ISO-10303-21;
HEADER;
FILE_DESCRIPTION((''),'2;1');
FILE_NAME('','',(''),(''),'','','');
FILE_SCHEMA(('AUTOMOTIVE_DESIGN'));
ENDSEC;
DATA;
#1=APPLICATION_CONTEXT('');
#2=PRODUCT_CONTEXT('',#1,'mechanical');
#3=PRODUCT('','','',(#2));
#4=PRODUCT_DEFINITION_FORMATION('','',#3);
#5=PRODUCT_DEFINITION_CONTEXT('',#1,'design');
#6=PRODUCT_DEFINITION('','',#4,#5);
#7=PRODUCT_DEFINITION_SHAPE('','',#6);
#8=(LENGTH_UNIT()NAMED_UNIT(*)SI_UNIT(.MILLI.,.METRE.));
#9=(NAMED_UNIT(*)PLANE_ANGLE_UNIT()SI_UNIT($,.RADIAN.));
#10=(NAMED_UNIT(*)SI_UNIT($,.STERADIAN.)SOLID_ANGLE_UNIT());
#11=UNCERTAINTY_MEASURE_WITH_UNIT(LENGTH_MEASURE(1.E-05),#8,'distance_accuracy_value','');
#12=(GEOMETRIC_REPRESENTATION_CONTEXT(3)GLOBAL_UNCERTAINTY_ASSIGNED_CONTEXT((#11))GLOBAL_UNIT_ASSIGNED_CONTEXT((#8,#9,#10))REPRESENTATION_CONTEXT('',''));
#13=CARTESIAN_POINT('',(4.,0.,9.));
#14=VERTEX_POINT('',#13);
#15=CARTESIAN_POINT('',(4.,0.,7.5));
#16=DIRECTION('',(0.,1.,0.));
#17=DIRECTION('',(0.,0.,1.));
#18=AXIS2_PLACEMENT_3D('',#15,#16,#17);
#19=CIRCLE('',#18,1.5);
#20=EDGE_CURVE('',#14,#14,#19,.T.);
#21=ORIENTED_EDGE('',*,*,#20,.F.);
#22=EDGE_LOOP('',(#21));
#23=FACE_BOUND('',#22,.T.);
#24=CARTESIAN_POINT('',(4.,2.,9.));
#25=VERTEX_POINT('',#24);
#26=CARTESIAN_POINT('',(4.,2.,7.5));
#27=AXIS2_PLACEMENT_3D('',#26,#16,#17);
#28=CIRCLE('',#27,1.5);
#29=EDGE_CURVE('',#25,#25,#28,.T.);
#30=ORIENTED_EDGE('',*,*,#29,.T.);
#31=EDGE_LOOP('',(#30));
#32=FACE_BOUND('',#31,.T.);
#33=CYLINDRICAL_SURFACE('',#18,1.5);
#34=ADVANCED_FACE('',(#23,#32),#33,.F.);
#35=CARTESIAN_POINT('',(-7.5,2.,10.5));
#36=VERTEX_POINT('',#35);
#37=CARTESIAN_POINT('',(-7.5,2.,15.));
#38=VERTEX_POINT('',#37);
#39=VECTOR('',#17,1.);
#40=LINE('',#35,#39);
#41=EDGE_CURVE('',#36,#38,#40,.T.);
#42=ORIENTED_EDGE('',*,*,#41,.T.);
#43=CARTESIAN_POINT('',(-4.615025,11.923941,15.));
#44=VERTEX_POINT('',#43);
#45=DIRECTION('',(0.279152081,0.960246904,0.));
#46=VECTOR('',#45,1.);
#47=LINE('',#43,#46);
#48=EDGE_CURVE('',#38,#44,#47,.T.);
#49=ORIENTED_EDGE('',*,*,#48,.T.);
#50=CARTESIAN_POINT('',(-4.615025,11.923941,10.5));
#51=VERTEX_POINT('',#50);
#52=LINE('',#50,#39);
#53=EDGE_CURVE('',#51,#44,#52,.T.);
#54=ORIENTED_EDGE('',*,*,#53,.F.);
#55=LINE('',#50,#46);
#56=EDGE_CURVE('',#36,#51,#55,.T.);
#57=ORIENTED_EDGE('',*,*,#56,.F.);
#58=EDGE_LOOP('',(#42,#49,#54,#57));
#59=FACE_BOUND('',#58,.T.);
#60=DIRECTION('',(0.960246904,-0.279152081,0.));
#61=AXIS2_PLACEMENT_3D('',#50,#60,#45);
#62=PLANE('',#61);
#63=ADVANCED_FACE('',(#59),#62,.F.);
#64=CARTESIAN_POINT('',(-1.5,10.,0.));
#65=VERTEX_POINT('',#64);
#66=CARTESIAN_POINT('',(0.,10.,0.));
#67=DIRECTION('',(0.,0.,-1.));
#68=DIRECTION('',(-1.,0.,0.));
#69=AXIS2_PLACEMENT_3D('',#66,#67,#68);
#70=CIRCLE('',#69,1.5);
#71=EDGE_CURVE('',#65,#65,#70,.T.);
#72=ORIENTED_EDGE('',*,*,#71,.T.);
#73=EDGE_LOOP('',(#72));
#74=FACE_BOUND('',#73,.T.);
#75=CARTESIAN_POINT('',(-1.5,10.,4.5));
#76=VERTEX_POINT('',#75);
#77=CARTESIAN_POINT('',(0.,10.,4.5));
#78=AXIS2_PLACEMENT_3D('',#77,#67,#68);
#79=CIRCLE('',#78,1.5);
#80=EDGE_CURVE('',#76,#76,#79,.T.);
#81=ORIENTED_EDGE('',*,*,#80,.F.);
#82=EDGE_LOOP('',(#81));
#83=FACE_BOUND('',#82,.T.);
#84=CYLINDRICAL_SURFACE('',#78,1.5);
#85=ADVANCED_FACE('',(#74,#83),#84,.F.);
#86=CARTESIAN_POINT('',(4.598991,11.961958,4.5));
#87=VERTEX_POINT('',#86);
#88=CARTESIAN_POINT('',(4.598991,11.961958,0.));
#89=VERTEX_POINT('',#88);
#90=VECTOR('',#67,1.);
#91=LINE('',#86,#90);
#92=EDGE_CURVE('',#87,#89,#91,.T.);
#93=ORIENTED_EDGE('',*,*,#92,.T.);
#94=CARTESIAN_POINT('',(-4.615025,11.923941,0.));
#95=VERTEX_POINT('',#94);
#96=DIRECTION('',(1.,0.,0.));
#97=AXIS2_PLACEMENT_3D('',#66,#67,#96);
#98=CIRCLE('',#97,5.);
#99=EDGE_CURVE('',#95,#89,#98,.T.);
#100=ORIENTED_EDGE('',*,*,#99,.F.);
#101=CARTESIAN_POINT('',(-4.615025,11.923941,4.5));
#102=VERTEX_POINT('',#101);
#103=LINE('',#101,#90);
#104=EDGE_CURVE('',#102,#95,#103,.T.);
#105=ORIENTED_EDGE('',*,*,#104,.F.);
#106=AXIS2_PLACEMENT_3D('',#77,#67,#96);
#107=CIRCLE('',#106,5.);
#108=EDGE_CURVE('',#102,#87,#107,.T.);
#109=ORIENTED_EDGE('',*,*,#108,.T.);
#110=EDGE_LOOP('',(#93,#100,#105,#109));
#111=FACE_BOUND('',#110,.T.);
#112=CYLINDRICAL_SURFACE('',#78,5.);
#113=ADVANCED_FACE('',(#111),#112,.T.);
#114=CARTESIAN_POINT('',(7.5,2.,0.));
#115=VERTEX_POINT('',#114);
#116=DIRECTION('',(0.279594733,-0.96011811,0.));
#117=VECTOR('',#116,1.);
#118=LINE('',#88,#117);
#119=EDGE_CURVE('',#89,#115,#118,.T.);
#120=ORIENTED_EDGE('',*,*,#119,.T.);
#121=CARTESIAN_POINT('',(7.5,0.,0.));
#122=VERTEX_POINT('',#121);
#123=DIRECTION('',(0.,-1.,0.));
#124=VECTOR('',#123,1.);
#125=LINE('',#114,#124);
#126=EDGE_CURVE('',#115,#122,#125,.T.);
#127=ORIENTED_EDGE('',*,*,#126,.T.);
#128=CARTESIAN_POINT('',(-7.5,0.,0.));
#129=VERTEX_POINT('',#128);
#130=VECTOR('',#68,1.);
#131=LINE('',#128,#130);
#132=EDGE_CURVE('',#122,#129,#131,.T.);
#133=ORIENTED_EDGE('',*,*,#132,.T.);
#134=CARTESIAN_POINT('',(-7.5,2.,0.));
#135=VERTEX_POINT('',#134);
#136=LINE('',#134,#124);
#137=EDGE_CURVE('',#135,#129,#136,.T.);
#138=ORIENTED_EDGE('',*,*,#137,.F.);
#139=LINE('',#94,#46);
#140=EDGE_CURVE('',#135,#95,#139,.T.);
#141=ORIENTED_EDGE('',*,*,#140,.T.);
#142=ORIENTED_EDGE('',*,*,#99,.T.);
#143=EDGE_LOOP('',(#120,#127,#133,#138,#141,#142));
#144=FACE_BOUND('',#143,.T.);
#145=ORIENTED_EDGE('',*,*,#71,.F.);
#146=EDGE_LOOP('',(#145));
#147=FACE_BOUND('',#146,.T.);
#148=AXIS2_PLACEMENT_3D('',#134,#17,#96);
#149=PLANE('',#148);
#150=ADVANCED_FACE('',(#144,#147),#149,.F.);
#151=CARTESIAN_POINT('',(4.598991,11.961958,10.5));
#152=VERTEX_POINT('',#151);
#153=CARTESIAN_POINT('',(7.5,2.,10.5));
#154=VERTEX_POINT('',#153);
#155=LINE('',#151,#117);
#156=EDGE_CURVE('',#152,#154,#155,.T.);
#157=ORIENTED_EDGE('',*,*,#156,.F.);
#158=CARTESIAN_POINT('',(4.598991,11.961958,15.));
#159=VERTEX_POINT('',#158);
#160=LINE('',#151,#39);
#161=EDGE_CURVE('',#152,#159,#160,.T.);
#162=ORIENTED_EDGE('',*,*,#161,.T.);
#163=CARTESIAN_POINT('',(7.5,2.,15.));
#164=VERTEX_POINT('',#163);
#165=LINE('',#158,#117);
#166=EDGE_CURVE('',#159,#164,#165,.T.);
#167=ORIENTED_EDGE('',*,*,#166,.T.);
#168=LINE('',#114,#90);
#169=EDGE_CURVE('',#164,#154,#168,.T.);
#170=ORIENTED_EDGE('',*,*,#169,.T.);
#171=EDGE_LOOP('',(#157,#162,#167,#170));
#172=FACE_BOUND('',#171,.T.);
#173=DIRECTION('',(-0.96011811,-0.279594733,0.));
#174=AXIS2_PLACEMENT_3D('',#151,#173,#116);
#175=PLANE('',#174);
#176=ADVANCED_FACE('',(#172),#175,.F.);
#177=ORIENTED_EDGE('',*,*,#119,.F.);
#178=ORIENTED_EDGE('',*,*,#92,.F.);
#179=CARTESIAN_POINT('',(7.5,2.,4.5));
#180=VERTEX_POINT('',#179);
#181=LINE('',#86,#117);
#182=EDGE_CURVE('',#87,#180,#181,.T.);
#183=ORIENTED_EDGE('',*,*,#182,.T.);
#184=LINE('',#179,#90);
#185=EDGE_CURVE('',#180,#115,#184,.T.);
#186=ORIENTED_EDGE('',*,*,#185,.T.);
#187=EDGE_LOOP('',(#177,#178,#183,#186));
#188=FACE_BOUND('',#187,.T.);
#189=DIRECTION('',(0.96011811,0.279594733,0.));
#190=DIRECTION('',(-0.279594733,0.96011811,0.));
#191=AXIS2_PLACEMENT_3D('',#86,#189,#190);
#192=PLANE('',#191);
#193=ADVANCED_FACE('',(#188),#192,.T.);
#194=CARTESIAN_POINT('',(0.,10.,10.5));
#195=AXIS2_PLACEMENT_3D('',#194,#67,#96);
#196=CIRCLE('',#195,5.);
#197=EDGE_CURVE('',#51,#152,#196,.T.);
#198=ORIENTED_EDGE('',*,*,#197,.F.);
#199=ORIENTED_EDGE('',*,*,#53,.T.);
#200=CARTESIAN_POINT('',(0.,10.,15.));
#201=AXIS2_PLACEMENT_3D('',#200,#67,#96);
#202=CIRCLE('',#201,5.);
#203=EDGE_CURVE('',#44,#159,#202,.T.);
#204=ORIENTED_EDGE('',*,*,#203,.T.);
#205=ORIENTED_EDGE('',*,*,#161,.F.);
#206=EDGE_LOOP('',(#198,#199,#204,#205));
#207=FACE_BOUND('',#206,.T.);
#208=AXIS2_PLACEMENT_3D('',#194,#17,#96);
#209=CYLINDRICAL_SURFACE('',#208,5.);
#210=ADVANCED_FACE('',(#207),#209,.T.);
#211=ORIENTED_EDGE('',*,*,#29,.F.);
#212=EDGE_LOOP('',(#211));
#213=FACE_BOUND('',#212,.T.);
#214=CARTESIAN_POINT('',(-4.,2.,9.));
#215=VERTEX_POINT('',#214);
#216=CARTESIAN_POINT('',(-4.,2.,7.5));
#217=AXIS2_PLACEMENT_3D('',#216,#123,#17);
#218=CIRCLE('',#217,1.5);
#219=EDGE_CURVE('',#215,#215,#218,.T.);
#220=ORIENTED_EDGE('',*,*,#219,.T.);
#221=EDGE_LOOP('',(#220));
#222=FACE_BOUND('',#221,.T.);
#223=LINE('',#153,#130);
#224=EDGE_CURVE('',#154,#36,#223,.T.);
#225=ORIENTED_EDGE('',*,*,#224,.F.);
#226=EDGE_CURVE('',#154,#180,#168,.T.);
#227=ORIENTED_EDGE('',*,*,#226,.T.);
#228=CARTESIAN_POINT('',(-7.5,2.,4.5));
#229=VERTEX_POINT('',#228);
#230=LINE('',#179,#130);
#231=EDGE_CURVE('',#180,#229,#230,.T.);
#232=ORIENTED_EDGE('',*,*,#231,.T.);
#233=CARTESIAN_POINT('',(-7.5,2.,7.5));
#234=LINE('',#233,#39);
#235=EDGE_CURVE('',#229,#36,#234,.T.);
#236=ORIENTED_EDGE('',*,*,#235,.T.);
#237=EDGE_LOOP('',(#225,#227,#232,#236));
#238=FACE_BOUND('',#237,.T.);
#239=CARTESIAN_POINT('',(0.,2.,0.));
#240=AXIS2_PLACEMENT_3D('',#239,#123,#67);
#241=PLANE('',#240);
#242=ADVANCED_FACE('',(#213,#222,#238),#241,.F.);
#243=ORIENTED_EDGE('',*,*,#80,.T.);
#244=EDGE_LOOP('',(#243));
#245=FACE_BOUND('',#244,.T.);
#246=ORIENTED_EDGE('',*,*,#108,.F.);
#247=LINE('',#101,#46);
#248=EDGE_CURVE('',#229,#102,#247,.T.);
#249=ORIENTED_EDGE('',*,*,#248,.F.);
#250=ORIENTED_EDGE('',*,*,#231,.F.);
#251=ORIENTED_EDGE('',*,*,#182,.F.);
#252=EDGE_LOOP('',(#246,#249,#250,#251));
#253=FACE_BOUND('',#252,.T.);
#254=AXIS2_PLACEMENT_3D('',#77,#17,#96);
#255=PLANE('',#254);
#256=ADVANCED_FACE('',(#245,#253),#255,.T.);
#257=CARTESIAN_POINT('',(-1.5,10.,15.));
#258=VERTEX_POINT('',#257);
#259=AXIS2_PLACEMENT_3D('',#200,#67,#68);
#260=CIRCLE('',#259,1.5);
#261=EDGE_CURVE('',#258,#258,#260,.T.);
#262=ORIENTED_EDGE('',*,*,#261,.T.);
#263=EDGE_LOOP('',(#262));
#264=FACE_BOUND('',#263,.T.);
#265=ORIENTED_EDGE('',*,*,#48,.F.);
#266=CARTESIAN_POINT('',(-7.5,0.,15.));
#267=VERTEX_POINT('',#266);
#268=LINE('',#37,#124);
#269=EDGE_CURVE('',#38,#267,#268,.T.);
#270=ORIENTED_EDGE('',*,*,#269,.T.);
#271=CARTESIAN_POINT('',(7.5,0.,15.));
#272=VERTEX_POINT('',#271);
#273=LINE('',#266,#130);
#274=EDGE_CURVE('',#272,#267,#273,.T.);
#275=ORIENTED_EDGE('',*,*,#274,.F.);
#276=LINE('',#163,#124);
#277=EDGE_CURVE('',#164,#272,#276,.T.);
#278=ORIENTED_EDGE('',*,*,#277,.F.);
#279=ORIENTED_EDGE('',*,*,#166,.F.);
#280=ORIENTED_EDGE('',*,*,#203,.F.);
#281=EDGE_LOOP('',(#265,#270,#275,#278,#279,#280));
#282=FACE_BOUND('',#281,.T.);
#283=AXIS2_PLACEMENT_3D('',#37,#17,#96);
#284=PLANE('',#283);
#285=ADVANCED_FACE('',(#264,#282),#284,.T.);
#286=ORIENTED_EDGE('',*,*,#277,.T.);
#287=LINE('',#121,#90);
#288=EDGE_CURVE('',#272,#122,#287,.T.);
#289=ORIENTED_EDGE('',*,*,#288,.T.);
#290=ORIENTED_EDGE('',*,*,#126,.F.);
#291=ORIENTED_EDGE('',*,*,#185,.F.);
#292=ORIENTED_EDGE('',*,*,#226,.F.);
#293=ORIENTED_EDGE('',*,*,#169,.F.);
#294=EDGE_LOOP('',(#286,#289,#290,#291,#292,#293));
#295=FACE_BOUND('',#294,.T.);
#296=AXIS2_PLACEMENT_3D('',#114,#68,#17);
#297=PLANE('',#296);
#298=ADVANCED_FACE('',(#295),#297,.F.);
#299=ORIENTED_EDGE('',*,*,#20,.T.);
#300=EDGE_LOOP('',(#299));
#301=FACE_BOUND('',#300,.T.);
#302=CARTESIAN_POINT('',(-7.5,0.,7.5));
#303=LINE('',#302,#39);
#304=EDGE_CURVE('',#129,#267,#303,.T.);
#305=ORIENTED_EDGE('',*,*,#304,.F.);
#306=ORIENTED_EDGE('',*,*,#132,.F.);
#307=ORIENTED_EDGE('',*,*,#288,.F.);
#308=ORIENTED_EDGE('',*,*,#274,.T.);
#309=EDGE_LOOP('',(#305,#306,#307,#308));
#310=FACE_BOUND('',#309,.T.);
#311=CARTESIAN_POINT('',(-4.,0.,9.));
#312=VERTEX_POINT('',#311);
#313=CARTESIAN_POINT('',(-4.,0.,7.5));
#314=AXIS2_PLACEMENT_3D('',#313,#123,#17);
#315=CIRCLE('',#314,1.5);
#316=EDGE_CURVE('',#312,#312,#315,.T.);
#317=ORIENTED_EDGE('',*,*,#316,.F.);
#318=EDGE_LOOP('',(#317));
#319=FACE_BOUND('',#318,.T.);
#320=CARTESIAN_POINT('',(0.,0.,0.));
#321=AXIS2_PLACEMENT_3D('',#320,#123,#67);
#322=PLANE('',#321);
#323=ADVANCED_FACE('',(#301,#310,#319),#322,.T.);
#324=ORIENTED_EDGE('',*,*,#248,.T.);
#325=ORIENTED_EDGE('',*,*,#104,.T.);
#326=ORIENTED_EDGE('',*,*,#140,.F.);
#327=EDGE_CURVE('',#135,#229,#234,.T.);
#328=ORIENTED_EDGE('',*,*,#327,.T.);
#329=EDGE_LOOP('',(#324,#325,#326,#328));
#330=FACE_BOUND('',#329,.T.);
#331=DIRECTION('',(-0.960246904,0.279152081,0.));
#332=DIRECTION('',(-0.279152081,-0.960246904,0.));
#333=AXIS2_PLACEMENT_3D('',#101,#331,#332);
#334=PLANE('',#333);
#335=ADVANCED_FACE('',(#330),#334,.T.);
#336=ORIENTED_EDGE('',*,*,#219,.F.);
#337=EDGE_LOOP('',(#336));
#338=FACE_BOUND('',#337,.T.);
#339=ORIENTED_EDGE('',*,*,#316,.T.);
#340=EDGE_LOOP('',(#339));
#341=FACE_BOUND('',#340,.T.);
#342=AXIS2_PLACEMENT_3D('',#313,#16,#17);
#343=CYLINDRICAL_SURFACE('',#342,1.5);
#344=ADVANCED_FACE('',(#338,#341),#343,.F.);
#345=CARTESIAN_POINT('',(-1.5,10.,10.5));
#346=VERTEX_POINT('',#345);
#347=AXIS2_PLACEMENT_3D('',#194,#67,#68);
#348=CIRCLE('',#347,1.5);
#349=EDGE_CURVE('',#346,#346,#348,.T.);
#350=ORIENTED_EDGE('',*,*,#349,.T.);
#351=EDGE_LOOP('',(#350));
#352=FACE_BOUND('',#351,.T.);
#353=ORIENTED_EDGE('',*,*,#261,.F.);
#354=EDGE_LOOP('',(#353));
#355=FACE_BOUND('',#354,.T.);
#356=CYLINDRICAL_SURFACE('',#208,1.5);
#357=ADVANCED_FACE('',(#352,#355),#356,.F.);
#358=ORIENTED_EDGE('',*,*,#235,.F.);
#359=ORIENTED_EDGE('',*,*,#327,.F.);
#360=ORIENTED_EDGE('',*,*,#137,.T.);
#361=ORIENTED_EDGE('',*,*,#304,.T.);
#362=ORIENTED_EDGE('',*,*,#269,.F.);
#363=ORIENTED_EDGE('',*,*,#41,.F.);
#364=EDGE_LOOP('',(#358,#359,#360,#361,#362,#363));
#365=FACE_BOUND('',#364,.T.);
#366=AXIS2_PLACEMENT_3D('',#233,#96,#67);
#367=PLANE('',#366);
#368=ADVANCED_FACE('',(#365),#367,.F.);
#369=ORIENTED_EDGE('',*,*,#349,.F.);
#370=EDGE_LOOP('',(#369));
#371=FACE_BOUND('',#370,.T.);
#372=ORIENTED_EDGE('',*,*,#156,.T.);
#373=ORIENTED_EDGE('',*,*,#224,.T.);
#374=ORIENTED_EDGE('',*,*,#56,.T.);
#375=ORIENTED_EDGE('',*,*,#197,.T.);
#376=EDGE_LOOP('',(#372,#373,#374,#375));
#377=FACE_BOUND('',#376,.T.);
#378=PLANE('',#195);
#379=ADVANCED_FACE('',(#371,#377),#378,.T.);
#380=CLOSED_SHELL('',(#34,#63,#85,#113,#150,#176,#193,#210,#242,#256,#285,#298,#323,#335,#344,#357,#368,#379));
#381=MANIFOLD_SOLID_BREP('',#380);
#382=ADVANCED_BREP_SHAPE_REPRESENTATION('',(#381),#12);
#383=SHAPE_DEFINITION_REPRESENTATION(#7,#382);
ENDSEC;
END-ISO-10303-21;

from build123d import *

# Parameters (mm, degrees)
SKETCH7_W           = 15
SKETCH7_H           = 7.5
BOSS_EXTRUDE2_DEPTH = 2
SKETCH8_R           = 1.5
BOSS_EXTRUDE3_DEPTH = 4.5
SKETCH9_R           = 1.5
CUT_EXTRUDE1_DEPTH  = 3


with BuildPart() as part:
    # Sketch7 → Boss-Extrude2 (new body)
    with BuildSketch(Plane(origin=(0, 0, 0), x_dir=(1, 0, 0), z_dir=(0, 1, 0))):
        with Locations((0, -3.75)):
            Rectangle(SKETCH7_W, SKETCH7_H)
    boss_extrude2 = extrude(amount=BOSS_EXTRUDE2_DEPTH)

    # Sketch8 → Boss-Extrude3 (add)
    with BuildSketch(Plane(origin=(0, 0, 0), x_dir=(-1, 0, 0), z_dir=(0, 0, -1))):
        with BuildLine():
            Line((-4.598991345, 11.961957852), (-7.5, 2))
            Line((-7.5, 2), (7.5, 2))
            Line((7.5, 2), (4.615024569, 11.923940807))
            ThreePointArc((4.615024569, 11.923940807), (0.020629833, 14.999957441), (-4.598991345, 11.961957852))
        make_face()
        with Locations((0, 10)):
            Circle(SKETCH8_R, mode=Mode.SUBTRACT)
    boss_extrude3 = extrude(amount=-BOSS_EXTRUDE3_DEPTH)

    # Mirror1: Boss-Extrude2, Boss-Extrude3 across plane
    add(boss_extrude2.mirror(Plane(origin=(7.5, 2, 7.5), x_dir=(1, 0, 0), z_dir=(0, 0, -1))))
    add(boss_extrude3.mirror(Plane(origin=(7.5, 2, 7.5), x_dir=(1, 0, 0), z_dir=(0, 0, -1))))

    # Sketch9 → Cut-Extrude1 (cut, through all)
    with BuildSketch(Plane(origin=(0, 2, 0), x_dir=(1, 0, 0), z_dir=(0, 1, 0))):
        with Locations((4, -7.5)):
            Circle(SKETCH9_R)
    cut_extrude1 = extrude(amount=-CUT_EXTRUDE1_DEPTH, mode=Mode.SUBTRACT)

    # Mirror2: Cut-Extrude1 across plane
    add(cut_extrude1.mirror(Plane(origin=(0, 0, 0), x_dir=(0, 0, 1), z_dir=(1, 0, 0))), mode=Mode.SUBTRACT)


solid = part.part
